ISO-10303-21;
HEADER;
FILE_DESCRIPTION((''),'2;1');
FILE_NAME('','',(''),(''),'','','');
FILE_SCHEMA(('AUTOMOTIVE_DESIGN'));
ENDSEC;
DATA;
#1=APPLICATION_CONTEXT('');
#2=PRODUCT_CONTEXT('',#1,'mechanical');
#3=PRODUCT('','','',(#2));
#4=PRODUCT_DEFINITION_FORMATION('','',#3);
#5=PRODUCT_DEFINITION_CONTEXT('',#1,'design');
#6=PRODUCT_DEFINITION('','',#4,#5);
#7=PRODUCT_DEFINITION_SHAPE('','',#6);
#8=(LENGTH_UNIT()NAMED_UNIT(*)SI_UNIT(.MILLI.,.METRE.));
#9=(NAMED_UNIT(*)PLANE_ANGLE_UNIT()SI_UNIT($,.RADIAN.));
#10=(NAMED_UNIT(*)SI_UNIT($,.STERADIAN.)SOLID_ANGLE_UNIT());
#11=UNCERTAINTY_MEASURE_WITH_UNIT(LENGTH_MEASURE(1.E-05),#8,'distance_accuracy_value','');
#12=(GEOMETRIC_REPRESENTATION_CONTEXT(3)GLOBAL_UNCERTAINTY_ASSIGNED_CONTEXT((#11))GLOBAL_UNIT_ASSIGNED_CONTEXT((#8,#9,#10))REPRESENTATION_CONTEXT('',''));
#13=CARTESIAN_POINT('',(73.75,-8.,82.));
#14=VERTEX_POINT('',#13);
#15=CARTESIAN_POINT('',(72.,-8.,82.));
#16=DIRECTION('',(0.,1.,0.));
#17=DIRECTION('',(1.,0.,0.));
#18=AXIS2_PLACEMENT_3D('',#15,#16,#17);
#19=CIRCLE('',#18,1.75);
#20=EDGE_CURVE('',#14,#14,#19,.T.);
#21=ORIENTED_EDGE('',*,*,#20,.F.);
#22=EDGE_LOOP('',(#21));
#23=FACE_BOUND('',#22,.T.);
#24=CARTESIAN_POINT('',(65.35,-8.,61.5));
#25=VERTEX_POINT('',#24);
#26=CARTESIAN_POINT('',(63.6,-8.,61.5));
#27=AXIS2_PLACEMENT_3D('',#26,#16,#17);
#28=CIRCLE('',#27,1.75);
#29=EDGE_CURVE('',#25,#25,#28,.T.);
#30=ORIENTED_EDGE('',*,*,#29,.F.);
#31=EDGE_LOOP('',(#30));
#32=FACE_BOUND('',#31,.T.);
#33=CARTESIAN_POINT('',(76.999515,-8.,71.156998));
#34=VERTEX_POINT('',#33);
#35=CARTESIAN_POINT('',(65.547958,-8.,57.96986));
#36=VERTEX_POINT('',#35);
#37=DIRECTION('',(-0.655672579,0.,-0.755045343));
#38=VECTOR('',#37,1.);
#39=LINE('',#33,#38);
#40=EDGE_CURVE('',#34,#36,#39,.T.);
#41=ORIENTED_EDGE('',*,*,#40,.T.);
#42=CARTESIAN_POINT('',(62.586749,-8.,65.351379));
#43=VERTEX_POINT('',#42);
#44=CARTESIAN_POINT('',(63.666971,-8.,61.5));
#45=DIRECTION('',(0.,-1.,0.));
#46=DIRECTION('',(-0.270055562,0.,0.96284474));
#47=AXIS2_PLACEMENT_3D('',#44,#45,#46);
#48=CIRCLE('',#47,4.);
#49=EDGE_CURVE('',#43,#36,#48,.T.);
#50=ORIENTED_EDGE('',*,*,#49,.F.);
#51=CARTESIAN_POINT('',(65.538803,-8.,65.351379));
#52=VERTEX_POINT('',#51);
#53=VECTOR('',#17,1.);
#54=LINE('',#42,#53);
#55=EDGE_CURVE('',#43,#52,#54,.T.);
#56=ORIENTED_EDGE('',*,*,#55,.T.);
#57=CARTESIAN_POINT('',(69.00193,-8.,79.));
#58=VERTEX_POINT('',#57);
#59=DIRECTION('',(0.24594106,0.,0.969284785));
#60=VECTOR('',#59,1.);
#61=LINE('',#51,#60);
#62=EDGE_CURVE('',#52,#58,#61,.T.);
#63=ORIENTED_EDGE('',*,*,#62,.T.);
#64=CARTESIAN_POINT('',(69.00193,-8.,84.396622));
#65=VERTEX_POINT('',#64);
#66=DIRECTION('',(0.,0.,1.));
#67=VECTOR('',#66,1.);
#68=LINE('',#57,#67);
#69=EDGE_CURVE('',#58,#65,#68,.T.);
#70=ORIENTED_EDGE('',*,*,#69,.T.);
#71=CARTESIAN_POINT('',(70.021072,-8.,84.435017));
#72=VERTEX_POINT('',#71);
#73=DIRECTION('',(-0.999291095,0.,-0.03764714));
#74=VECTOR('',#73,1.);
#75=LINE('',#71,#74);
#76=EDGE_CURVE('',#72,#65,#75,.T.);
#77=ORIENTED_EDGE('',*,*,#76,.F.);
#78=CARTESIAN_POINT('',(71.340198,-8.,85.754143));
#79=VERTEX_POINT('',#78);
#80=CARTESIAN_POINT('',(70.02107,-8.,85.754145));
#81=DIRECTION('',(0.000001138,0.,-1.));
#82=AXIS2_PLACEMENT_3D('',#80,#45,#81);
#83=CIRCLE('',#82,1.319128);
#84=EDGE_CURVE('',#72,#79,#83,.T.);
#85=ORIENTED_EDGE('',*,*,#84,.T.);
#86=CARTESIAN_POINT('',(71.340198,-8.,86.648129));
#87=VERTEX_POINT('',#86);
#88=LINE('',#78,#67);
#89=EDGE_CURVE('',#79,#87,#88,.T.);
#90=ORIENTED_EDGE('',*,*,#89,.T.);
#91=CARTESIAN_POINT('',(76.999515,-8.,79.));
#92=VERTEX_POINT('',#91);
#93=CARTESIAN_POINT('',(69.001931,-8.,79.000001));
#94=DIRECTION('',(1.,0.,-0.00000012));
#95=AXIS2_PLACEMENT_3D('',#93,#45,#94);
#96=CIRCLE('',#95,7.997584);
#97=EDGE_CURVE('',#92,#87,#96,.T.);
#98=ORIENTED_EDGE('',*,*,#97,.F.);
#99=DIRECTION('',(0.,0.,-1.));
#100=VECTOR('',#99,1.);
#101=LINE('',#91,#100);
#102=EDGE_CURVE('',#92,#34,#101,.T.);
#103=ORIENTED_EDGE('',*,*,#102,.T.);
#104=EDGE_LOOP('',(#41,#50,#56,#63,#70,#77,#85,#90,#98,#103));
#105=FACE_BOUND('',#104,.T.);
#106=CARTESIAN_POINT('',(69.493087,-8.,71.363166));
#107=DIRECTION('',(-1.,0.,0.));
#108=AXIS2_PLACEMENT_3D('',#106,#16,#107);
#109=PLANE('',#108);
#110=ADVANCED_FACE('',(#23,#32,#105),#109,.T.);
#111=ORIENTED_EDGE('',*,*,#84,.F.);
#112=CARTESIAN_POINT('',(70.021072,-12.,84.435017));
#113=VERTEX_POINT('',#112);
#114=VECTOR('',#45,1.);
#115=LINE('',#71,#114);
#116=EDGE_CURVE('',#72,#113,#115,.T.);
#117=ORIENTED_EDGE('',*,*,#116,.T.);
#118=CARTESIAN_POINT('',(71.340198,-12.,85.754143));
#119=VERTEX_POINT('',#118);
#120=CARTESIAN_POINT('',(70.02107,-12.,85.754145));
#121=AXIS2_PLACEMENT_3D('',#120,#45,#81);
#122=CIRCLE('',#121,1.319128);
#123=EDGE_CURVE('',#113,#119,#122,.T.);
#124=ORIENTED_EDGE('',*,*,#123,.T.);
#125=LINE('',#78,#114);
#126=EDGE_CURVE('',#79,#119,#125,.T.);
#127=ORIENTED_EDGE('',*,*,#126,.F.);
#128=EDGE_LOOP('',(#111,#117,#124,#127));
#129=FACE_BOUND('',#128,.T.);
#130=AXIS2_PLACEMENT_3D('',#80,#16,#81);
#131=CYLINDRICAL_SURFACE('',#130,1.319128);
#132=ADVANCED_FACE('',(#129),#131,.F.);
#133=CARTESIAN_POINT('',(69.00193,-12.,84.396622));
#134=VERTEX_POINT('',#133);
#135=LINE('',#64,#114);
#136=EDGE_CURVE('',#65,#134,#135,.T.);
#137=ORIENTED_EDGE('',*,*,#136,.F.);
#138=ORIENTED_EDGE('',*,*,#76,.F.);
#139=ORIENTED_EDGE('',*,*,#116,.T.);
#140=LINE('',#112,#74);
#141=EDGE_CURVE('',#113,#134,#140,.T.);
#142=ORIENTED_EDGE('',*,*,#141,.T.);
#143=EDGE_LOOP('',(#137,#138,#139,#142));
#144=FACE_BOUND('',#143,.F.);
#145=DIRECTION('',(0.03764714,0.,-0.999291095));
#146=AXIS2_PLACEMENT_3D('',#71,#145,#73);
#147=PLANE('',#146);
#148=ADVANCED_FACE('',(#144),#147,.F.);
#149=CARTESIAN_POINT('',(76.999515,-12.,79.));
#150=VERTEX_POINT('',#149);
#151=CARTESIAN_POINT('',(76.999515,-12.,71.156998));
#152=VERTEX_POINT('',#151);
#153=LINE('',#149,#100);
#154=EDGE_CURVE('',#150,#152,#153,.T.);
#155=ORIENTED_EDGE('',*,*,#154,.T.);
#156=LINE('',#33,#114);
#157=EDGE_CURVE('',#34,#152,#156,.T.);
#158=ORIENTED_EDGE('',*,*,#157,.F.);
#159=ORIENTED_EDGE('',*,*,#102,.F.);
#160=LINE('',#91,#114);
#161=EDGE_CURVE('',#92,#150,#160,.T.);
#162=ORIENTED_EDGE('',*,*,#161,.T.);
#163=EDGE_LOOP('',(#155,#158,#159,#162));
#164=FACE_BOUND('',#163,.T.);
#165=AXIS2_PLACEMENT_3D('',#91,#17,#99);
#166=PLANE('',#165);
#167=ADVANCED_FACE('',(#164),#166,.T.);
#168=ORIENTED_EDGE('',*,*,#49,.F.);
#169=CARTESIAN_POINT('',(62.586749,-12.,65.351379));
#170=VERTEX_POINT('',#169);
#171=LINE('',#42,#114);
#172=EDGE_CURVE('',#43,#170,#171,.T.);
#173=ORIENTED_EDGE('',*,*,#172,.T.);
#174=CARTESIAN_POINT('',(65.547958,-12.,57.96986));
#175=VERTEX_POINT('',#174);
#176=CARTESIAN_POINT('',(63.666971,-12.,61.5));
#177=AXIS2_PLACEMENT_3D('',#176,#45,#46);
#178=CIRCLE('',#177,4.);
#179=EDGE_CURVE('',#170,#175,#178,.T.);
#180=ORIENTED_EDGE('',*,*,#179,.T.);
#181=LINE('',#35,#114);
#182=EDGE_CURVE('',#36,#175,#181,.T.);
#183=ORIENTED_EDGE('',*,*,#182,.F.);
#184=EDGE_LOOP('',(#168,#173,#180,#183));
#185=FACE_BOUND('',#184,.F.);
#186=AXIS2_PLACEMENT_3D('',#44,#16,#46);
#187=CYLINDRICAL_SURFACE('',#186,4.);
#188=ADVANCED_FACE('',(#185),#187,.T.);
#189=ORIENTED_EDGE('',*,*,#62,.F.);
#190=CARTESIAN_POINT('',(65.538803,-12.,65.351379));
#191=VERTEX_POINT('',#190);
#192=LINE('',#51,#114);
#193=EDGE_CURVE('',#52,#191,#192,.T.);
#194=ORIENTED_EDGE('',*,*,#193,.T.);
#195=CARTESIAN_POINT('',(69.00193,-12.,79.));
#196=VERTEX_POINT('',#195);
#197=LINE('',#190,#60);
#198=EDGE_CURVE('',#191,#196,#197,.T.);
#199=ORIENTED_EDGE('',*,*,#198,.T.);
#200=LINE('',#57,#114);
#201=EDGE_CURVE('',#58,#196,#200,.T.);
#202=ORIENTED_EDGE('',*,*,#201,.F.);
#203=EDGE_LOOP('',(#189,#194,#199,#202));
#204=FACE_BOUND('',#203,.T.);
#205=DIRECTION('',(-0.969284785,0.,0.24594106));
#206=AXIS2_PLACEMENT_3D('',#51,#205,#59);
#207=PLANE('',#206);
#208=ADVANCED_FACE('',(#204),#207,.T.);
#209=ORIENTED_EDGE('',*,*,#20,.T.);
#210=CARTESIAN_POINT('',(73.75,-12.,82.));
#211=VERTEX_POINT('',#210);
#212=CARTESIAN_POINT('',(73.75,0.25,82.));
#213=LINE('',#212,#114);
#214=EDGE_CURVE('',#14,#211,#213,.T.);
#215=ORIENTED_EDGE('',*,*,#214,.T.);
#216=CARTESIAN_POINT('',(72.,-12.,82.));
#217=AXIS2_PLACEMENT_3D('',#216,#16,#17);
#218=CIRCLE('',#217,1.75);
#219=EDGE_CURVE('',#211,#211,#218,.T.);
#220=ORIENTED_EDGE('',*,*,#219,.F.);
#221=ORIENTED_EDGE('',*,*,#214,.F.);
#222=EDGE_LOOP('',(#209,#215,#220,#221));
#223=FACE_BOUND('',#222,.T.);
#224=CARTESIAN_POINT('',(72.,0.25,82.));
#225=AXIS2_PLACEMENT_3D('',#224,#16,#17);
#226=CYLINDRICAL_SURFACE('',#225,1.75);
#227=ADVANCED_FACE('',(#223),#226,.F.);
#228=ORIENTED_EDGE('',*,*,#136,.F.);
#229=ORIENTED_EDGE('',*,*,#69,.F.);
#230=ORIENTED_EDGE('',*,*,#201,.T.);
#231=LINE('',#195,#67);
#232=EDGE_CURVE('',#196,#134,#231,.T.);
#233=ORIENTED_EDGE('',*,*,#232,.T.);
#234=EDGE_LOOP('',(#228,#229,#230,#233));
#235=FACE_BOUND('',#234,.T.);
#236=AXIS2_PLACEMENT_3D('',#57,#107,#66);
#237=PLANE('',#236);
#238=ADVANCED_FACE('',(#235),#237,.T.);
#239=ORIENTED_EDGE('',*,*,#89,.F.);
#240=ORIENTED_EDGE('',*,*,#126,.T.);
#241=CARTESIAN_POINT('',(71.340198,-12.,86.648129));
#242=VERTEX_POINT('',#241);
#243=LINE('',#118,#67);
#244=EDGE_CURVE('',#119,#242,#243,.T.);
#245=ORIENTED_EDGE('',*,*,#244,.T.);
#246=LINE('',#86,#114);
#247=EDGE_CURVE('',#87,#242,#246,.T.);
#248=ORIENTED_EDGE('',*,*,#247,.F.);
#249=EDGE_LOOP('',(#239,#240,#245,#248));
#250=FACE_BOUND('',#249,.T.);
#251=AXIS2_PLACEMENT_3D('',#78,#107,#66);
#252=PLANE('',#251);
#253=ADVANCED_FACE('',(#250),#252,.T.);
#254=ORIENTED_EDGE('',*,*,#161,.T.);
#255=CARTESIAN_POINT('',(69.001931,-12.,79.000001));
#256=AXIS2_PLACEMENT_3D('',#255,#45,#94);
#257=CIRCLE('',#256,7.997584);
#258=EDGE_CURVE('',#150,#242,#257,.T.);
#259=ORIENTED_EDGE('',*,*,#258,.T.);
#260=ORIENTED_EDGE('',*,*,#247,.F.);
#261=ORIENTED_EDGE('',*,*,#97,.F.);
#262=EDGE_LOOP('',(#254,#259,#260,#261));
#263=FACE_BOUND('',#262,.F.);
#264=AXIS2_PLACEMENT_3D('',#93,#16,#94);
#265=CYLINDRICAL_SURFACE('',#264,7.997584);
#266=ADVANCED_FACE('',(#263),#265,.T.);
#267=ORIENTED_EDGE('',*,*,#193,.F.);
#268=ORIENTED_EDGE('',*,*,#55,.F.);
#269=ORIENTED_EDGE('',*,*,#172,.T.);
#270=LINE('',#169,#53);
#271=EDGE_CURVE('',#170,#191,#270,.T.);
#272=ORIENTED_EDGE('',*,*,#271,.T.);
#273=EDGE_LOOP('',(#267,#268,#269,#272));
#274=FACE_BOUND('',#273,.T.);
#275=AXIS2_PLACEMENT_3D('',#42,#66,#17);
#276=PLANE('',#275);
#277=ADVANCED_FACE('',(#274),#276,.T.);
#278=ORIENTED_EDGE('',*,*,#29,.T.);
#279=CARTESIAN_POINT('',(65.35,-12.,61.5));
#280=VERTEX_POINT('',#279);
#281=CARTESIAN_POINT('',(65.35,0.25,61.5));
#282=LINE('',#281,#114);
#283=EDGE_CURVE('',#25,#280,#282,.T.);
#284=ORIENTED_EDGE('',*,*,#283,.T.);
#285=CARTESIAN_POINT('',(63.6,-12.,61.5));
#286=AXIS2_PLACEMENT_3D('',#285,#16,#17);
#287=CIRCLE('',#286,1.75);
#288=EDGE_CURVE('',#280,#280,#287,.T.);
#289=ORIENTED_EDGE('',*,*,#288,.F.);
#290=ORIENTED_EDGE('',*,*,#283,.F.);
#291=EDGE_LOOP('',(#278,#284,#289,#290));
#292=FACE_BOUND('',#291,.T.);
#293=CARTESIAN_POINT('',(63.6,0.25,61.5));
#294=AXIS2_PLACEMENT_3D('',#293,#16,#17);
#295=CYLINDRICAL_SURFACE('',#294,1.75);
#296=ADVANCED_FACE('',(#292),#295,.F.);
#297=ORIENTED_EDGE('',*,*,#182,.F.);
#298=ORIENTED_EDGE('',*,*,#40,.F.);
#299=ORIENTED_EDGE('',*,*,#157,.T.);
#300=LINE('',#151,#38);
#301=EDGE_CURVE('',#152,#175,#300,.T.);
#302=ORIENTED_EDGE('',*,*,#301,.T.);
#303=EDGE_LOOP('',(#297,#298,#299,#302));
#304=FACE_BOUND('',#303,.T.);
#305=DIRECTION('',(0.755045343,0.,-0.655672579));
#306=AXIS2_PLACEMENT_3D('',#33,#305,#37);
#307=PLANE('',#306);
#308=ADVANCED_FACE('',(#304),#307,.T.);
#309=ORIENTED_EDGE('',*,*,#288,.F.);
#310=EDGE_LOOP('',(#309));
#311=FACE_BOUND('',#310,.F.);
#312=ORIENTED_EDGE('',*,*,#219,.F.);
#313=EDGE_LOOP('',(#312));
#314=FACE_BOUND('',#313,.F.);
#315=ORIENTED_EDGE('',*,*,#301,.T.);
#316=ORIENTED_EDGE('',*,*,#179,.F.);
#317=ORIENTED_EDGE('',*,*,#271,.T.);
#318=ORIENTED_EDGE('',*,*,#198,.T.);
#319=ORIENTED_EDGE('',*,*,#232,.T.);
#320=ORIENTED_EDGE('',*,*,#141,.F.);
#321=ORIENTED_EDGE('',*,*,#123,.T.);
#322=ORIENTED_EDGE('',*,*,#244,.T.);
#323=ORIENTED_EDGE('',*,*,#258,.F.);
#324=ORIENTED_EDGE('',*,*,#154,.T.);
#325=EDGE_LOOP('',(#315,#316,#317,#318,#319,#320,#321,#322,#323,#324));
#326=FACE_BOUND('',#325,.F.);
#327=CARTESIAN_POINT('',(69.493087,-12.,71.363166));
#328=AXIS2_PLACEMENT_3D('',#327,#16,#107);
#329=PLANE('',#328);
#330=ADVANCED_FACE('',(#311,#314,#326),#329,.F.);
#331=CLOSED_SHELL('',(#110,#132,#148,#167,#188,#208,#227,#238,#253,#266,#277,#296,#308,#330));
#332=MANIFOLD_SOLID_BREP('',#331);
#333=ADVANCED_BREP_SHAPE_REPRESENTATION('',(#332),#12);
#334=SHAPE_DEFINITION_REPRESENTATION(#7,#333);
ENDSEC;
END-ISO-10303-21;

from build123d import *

# Parameters (mm, degrees)
CYLINDER056_R     = 1.75
CYLINDER056_DEPTH = 15
CYLINDER049_R     = 1.75
CYLINDER049_DEPTH = 15
EXTRUDE002_DEPTH  = 4


with BuildPart() as m3holds024:
    # Cylinder056 → Cylinder056 (new body)
    with BuildSketch(Plane(origin=(72, 0.25, 82), x_dir=(1, 0, 0), z_dir=(0, -1, 0))):
        Circle(CYLINDER056_R)
    extrude(amount=CYLINDER056_DEPTH)


with BuildPart() as fusion062:
    # Cylinder049 → Cylinder049 (new body)
    with BuildSketch(Plane(origin=(63.6, 0.25, 61.5), x_dir=(1, 0, 0), z_dir=(0, -1, 0))):
        Circle(CYLINDER049_R)
    extrude(amount=CYLINDER049_DEPTH)

    # Fusion062: union m3Holds024
    add(m3holds024.part)


with BuildPart() as c4holdtopright:
    # Sketch004 → Extrude002 (new body)
    with BuildSketch(Plane.XZ):
        with BuildLine():
            Line((62.586749, 65.351379), (65.538803, 65.351379))
            Line((65.538803, 65.351379), (69.00193, 79))
            Line((69.00193, 79), (69.00193, 84.396622))
            Line((70.021072, 84.435017), (69.00193, 84.396622))
            ThreePointArc((70.021072, 84.435017), (70.953835, 84.821381), (71.340198, 85.754143))
            Line((71.340198, 85.754143), (71.340198, 86.648129))
            ThreePointArc((76.999515, 79), (75.430844, 83.757146), (71.340198, 86.648129))
            Line((76.999515, 79), (76.999515, 71.156998))
            Line((76.999515, 71.156998), (65.547958, 57.96986))
            ThreePointArc((62.586749, 65.351379), (59.954558, 60.010709), (65.547958, 57.96986))
        make_face()
    extrude(amount=EXTRUDE002_DEPTH)


with BuildPart() as c4holdtopright_1:
    # Extrude002 placement: moved
    add(c4holdtopright.part.moved(Location((0, -8, 0))))

    # Cut012: cut Fusion062
    add(fusion062.part, mode=Mode.SUBTRACT)


solid = c4holdtopright_1.part
